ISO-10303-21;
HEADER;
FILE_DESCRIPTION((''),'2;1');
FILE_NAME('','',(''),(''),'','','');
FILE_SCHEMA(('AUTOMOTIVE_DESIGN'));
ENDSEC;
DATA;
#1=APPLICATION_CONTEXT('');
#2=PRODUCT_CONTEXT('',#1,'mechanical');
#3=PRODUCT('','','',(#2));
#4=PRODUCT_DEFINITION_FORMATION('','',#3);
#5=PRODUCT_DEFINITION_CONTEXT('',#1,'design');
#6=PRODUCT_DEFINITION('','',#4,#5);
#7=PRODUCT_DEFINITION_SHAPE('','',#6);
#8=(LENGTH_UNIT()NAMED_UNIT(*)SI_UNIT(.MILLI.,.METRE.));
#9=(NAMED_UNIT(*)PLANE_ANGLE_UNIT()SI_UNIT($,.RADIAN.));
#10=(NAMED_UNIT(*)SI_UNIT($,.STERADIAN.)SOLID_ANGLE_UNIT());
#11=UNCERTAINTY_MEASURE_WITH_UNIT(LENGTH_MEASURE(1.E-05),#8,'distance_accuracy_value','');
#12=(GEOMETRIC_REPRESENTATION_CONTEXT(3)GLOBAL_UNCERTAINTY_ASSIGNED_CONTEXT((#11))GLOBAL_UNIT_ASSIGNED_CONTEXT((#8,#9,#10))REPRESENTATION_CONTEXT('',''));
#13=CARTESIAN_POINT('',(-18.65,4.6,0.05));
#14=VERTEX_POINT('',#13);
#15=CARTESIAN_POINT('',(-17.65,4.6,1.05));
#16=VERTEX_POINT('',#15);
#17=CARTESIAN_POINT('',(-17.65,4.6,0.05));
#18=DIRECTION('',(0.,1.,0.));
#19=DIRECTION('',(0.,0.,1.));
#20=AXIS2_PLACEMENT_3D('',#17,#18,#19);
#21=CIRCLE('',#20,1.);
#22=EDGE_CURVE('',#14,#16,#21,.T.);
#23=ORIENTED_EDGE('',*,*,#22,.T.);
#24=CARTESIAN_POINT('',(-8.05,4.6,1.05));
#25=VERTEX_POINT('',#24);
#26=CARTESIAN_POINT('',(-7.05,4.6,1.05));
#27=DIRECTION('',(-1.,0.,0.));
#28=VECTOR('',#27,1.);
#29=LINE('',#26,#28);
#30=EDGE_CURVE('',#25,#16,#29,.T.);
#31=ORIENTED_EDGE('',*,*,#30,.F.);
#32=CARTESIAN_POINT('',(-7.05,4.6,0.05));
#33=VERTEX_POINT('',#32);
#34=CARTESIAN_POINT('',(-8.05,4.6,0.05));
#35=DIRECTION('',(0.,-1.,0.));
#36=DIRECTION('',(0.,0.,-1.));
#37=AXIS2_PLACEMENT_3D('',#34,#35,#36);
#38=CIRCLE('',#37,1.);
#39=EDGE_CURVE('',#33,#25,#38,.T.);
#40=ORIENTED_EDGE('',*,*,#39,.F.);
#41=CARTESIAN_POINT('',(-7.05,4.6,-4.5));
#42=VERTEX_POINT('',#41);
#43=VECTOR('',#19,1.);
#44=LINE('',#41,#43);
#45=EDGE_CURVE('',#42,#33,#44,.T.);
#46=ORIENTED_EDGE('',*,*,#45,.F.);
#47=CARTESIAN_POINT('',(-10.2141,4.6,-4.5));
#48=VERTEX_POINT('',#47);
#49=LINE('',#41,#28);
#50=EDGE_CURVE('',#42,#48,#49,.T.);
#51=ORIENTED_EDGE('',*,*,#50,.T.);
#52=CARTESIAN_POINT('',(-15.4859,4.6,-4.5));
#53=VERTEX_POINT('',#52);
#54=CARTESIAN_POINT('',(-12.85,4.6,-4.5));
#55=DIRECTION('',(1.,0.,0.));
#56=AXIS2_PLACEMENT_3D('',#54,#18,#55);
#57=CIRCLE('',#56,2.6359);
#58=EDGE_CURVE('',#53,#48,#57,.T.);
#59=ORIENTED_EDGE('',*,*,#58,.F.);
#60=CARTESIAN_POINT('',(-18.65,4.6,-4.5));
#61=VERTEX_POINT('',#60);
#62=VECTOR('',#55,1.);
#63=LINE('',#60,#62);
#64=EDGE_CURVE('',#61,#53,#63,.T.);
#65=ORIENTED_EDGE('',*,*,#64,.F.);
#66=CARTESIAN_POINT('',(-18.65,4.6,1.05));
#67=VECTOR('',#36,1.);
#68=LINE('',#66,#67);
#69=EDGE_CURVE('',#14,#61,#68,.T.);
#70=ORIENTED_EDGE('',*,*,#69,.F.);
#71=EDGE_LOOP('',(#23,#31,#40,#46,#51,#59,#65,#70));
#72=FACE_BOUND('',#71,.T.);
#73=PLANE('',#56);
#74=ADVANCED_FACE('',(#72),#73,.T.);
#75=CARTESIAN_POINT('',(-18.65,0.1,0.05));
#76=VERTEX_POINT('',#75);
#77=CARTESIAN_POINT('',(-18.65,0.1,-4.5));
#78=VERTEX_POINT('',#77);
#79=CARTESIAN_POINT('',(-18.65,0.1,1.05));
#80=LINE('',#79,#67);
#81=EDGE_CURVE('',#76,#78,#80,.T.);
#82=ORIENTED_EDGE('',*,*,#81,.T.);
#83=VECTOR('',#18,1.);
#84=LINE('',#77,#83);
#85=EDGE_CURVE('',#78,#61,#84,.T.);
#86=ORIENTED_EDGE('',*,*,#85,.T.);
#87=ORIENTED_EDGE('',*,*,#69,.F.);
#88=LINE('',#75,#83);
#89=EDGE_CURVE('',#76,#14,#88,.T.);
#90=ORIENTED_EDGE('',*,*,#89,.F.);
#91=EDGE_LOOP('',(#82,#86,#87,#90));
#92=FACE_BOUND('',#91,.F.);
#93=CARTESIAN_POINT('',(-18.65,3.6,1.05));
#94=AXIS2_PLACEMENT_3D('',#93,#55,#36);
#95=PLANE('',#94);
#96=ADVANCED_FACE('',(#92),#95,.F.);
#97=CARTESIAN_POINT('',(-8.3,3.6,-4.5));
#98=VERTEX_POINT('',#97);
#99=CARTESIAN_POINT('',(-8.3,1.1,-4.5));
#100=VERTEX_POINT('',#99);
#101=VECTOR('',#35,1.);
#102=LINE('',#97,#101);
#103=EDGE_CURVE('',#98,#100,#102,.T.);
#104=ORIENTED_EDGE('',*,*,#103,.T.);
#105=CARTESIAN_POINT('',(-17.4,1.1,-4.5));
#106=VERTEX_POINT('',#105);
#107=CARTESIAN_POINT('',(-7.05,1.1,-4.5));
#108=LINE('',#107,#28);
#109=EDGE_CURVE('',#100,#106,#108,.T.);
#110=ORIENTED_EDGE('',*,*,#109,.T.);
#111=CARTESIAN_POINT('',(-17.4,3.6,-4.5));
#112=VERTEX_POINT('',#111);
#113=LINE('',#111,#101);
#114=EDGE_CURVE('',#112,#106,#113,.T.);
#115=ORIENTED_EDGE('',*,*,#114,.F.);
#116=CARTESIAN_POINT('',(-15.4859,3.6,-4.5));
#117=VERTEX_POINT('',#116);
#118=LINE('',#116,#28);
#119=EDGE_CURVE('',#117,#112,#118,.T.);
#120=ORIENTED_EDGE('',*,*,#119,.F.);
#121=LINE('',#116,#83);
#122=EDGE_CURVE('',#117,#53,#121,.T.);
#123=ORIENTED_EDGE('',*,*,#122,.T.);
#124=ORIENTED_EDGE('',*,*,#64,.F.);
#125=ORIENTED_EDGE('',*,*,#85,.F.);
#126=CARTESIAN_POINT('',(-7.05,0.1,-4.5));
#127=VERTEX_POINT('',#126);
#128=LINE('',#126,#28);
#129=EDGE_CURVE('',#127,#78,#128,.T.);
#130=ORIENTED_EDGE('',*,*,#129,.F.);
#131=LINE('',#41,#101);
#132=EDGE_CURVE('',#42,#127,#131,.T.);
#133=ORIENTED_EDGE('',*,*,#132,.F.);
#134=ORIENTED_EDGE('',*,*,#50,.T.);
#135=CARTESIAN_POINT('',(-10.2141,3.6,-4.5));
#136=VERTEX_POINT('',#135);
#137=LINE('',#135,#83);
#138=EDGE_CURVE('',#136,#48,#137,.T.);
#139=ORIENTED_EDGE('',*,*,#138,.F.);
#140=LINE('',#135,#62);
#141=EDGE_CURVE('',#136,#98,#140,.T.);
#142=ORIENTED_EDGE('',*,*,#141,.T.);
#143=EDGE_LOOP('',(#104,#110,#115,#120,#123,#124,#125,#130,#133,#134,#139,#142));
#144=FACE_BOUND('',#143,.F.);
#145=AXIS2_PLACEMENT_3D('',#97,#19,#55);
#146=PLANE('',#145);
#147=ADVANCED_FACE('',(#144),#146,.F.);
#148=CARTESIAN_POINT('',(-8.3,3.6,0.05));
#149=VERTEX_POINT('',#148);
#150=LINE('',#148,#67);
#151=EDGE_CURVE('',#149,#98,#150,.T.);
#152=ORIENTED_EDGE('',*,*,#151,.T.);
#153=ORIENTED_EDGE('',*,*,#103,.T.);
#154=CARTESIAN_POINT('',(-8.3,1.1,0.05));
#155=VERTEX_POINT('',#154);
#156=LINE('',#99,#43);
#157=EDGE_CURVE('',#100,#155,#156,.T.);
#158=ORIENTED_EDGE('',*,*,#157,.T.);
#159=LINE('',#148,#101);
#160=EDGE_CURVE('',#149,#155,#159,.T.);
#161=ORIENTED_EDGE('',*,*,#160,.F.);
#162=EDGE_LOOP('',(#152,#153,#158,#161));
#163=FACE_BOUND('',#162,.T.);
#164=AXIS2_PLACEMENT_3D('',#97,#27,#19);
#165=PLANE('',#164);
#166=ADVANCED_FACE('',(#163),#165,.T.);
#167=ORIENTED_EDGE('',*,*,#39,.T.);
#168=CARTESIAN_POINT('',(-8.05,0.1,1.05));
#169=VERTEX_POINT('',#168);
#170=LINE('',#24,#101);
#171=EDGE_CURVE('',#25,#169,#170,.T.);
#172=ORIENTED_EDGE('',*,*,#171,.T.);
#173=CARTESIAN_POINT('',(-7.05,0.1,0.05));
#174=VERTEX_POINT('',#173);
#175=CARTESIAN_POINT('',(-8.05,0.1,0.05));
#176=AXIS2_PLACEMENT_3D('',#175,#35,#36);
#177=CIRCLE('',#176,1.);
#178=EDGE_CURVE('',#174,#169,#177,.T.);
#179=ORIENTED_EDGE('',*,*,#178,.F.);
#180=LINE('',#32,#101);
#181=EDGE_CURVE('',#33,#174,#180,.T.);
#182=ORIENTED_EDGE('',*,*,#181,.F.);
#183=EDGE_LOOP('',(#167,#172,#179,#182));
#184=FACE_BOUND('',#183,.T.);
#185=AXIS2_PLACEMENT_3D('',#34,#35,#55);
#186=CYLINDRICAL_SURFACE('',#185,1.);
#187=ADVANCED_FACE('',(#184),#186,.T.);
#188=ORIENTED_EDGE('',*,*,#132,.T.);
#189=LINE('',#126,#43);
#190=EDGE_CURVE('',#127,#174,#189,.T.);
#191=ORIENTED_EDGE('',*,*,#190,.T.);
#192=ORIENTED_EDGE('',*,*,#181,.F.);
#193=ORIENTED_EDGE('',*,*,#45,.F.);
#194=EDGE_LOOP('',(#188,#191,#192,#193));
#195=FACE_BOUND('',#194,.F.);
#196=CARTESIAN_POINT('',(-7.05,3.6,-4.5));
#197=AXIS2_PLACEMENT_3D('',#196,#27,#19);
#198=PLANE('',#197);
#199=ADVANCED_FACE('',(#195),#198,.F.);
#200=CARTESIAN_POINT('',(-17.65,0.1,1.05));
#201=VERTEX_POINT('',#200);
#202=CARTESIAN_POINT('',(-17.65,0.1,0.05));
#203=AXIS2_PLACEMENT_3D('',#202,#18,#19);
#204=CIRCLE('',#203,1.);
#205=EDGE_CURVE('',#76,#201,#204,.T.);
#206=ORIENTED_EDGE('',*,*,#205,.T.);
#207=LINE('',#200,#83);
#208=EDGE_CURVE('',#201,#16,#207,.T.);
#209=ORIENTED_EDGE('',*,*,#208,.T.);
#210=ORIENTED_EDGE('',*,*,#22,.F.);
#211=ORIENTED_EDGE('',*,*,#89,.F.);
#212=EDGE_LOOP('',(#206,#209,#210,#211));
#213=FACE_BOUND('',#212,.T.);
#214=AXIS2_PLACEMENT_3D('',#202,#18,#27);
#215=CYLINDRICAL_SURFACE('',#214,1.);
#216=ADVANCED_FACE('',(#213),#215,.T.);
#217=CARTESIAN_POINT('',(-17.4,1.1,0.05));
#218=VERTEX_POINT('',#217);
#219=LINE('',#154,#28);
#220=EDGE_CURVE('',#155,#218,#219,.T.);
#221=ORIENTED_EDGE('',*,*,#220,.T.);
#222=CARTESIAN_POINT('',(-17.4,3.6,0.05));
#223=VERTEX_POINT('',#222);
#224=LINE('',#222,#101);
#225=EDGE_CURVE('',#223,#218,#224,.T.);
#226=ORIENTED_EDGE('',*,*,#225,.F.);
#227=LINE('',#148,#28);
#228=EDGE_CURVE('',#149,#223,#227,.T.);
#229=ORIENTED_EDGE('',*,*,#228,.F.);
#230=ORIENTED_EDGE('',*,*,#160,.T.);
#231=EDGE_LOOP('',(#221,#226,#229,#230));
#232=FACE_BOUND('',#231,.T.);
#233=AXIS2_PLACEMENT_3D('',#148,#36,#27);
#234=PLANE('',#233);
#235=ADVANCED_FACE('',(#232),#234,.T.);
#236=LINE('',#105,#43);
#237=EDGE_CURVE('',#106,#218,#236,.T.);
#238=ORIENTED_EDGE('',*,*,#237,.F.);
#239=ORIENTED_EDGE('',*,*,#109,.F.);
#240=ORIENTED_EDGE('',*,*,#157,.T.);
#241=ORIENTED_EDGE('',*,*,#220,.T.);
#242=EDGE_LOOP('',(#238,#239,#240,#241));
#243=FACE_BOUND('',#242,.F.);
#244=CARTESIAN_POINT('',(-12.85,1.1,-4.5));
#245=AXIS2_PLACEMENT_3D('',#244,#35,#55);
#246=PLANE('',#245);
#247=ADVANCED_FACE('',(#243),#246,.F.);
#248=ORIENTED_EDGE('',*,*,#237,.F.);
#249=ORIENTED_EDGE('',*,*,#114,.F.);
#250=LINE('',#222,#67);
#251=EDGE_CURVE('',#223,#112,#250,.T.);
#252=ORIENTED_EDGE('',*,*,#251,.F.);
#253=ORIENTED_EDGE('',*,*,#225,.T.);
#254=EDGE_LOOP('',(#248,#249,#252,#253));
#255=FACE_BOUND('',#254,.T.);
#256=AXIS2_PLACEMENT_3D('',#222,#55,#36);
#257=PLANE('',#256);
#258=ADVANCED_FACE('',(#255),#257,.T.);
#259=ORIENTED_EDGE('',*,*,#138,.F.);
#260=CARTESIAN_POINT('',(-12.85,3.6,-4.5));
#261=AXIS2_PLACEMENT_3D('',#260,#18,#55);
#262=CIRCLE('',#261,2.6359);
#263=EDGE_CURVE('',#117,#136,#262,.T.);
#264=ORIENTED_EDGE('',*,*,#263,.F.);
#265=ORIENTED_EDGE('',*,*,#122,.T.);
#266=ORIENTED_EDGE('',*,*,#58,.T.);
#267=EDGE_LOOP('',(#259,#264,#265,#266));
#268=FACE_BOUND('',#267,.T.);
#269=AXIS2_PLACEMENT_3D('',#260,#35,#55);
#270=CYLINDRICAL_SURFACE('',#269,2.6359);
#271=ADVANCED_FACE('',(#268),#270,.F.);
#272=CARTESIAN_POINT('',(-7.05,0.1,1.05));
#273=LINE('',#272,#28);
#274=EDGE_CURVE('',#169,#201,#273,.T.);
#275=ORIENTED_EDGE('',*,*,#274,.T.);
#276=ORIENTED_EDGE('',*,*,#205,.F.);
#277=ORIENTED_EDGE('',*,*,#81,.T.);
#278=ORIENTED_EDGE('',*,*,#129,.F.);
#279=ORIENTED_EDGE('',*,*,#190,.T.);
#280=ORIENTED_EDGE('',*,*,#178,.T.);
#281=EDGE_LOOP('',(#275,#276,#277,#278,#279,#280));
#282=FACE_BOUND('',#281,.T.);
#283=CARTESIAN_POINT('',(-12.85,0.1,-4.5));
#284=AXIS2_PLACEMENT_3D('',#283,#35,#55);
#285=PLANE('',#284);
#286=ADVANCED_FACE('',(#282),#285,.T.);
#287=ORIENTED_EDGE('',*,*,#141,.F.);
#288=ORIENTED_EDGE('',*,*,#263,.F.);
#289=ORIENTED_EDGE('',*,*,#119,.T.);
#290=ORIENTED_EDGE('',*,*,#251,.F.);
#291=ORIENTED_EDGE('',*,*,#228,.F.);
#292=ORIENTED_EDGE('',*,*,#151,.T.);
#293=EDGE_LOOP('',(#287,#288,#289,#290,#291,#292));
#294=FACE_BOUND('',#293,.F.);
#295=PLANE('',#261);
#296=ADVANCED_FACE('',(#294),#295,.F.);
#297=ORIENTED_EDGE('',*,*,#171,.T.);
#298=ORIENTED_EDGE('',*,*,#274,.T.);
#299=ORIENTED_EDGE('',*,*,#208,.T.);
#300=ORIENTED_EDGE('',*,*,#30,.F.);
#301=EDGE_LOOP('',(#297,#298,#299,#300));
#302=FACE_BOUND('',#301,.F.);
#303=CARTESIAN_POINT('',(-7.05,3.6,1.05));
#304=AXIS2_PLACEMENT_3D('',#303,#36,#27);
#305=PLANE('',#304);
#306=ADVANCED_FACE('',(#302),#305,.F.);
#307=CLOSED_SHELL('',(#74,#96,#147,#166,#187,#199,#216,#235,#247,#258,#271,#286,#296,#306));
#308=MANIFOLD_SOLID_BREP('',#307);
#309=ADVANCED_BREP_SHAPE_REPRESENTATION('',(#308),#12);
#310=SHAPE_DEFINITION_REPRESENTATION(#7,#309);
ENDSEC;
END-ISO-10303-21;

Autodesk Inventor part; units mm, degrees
ref_plane "YZ Plane" through (0, 0, 0) normal (1, 0, 0) x (0, 1, 0)
ref_plane "XZ Plane" through (0, 0, 0) normal (0, 1, 0) x (-1, 0, 0)
ref_plane "XY Plane" through (0, 0, 0) normal (0, 0, 1) x (1, 0, 0)
ref_plane "Arbeitsebene1" through (-12.85, 3.6, -4.5) normal (0, -1, 0) x (0, 0, 1)
sketch "Skizze1" plane through (-12.85, 3.6, -4.5) normal (0, -1, 0) x (0, 0, 1)
  circle A0 centre (0, 0) radius 4.3 construction
  line L0 (0.4805, 5.7801) -> (0.4805, 4.5246)
  line L1 (0.4805, -4.5246) -> (0.4805, -5.7801)
  line L2 (0, -5.8) -> (5.55, -5.8)
  line L3 (5.55, -5.8) -> (5.55, 5.8)
  line L4 (5.55, 5.8) -> (0, 5.8)
  line L5 (0, 5.8) -> (0, -5.8)
  line L6 (0, -4.55) -> (4.55, -4.55)
  line L7 (4.55, -4.55) -> (4.55, 4.55)
  line L8 (4.55, 4.55) -> (0, 4.55)
  line L9 (0, 4.55) -> (0, -4.55)
  point P0 (4.5, -12.85)
  point P1 (0, 4.55)
  dimension "d2" = 0
  dimension "d27" = 0
  dimension "d28" = 1
extrude "Extrusion1" add sketch "Skizze1" along normal blind 2.5 contours L5 L6 L7 L8 L4 L3 L2
sketch "Skizze2" plane through (-12.85, 1.1, -4.5) normal (0, -1, 0) x (1, 0, 0)
  line L0 (-5.7801, 0.4805) -> (5.7801, 0.4805)
  line L1 (-5.8, 0) -> (-4.55, 0) projected
  line L2 (-4.55, 0) -> (-4.55, 4.55) projected
  line L3 (-4.55, 4.55) -> (4.55, 4.55) projected
  line L4 (4.55, 4.55) -> (4.55, 0) projected
  line L5 (4.55, 0) -> (5.8, 0) projected
  line L6 (5.8, 0) -> (5.8, 5.55) projected
  line L7 (5.8, 5.55) -> (-5.8, 5.55) projected
  line L8 (-5.8, 5.55) -> (-5.8, 0) projected
  line L9 (-4.55, 0) -> (4.55, 0)
  point P0 (12.85, 4.5)
extrude "Extrusion2" add sketch "Skizze2" along normal blind 1
sketch "Skizze7" plane through (-12.85, 3.6, -4.5) normal (0, 1, 0) x (1, 0, 0)
  line L0 (-5.8, 0) -> (-4.55, 0) projected
  line L1 (-5.8, -5.55) -> (-5.8, 0) projected
  line L2 (5.8, -5.55) -> (-5.8, -5.55) projected
  line L3 (5.8, 0) -> (5.8, -5.55) projected
  line L4 (4.55, 0) -> (5.8, 0) projected
  line L5 (4.55, -4.55) -> (4.55, 0) projected
  line L6 (-4.55, -4.55) -> (4.55, -4.55) projected
  line L7 (-4.55, 0) -> (-4.55, -4.55) projected
  line L8 (4.55, 0) -> (-4.55, 0)
  line L9 (-4.55, -4.55) -> (4.55, -4.55) projected
  circle A0 centre (0, 0) radius 2.6359
  point P0 (12.85, -4.5)
  point P1 (2.6359, 0)
  point P2 (-2.6359, 0)
extrude "Extrusion6" add sketch "Skizze7" along normal blind 1 contours L0 L7 L6 L5 L4 L3 L2 L1 | L8 A0 L5 L6 L7
fillet "Rundung2" radius 1 2 edges at (-18.65, 2.35, 1.05) (-7.05, 2.35, 1.05)
properties part number "20_Cube_Insert_Syringepump_Micro_syringeclamp_v3"
